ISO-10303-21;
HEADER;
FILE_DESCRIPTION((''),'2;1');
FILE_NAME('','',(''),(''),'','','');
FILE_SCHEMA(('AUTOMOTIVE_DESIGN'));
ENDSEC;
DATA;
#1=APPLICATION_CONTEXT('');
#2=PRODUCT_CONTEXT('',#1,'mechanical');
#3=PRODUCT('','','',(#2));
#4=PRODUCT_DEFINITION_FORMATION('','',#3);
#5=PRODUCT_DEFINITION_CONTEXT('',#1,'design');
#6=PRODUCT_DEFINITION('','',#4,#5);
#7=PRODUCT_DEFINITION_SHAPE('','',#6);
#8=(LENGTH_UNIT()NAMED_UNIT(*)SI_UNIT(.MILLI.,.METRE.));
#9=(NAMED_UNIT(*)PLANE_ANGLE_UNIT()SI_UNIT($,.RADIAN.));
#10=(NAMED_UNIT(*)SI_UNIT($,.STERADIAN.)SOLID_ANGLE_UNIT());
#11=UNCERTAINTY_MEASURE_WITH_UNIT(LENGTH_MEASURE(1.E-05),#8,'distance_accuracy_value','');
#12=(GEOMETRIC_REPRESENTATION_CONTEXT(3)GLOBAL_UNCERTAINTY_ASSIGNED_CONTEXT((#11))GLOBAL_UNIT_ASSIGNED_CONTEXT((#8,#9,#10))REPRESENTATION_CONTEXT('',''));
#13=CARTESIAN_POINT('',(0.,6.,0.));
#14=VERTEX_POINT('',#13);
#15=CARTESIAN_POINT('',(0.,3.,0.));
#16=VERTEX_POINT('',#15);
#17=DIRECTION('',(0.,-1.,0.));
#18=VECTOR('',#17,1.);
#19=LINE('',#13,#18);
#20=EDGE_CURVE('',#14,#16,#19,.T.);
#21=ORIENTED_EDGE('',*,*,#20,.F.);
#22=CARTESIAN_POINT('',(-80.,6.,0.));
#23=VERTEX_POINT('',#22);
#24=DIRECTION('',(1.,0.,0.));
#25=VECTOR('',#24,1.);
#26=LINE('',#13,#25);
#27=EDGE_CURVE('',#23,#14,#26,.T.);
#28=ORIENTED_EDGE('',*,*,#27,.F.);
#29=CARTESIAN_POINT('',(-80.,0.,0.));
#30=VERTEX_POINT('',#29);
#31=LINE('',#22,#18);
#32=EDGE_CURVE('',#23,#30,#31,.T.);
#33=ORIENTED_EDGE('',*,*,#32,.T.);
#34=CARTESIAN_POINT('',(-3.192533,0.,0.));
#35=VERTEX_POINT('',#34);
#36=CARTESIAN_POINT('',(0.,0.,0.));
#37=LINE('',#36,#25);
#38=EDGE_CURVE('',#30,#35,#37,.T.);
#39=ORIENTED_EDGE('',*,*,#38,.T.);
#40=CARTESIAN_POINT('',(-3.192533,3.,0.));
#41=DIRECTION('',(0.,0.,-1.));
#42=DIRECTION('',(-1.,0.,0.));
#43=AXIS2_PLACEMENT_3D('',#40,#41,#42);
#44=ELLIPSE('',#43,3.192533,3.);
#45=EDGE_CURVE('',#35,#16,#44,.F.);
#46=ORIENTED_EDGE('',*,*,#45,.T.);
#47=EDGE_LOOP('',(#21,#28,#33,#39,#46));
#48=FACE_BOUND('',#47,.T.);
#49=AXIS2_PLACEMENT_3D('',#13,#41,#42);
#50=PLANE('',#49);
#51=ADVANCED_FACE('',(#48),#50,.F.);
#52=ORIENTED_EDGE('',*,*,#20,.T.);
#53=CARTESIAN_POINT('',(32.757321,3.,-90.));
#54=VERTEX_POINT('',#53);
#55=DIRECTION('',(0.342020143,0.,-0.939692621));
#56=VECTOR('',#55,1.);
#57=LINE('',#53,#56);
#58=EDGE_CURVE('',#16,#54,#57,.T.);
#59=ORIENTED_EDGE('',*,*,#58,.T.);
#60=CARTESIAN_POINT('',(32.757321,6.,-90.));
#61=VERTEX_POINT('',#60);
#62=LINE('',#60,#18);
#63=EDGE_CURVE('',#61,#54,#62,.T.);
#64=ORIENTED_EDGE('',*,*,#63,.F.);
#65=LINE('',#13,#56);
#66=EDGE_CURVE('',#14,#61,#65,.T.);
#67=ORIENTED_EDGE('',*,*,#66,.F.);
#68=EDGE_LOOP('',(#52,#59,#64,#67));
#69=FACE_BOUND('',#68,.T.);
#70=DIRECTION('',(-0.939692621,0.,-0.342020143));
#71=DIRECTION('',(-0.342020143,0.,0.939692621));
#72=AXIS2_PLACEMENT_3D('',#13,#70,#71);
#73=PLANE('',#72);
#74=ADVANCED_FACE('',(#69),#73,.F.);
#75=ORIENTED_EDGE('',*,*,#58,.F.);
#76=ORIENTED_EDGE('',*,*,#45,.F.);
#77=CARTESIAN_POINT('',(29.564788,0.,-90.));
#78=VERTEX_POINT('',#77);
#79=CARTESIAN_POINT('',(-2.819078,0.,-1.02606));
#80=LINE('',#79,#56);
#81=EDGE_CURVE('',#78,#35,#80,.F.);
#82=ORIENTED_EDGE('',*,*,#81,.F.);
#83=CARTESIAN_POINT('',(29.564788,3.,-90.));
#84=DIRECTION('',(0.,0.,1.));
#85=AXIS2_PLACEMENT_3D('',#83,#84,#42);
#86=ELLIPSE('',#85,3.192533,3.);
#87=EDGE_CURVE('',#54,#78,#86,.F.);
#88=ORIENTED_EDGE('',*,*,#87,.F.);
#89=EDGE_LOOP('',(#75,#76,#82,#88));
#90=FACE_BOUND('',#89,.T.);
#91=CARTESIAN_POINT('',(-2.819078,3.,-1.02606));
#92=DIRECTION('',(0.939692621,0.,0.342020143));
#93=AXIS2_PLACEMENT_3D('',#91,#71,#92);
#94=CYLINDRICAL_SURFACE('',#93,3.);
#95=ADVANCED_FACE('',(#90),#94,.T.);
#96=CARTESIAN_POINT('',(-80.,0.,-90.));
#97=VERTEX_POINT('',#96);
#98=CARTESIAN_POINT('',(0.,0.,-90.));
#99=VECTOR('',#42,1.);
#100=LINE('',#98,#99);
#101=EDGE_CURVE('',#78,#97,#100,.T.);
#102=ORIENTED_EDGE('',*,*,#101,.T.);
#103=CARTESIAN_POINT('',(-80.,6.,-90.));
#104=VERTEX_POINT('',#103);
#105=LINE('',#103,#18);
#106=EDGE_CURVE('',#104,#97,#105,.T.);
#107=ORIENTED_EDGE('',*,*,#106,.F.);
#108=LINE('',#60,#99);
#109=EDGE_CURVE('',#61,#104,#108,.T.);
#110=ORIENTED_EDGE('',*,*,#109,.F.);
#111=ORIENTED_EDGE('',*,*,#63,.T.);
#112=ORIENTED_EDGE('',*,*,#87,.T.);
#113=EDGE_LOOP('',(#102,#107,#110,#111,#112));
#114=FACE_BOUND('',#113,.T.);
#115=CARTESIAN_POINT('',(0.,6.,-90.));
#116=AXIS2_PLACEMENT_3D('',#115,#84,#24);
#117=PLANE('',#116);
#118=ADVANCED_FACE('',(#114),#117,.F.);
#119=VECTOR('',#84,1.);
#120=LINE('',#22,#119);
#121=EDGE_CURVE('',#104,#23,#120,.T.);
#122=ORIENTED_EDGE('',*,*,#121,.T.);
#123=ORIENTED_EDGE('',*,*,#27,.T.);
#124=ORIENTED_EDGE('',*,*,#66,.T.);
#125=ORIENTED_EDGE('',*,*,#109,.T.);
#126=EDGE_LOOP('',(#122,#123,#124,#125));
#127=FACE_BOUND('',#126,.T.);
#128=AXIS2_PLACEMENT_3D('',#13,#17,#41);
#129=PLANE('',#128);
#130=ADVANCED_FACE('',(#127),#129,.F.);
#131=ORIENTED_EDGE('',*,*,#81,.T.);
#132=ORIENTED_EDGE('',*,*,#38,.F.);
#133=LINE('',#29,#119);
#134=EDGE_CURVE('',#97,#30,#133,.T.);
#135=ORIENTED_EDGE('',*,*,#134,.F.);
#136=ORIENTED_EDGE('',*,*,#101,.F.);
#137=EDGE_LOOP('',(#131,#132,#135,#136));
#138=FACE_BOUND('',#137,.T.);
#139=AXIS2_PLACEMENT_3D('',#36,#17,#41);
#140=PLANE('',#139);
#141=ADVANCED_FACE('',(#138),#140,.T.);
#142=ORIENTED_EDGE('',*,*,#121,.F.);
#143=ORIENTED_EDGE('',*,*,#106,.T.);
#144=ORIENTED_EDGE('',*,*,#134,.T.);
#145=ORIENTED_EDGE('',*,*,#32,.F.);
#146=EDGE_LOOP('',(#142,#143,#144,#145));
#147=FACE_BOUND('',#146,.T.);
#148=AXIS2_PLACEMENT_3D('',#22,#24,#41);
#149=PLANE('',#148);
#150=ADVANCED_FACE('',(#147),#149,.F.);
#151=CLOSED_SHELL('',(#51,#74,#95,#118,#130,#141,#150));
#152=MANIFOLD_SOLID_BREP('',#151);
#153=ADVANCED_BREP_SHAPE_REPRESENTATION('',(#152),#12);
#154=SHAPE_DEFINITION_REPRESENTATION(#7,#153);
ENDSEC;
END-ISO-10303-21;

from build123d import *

# Parameters (mm, degrees)
BOSS_EXTRUDE1_DEPTH = 6
FILLET1_R           = 3


with BuildPart() as part:
    # Sketch1 → Boss-Extrude1 (new body)
    with BuildSketch(Plane(origin=(0, 0, 0), x_dir=(1, 0, 0), z_dir=(0, 1, 0))):
        Polygon((0, 0), (32.757321084, 90), (0, 90), (-80, 90), (-80, 0), align=None)
    extrude(amount=BOSS_EXTRUDE1_DEPTH)

    # Fillet1
    fillet1_edges = [part.edges().sort_by_distance(p)[0] for p in [
        (16.378660542, 0, -45),
    ]]
    fillet(fillet1_edges, radius=FILLET1_R)


solid = part.part
